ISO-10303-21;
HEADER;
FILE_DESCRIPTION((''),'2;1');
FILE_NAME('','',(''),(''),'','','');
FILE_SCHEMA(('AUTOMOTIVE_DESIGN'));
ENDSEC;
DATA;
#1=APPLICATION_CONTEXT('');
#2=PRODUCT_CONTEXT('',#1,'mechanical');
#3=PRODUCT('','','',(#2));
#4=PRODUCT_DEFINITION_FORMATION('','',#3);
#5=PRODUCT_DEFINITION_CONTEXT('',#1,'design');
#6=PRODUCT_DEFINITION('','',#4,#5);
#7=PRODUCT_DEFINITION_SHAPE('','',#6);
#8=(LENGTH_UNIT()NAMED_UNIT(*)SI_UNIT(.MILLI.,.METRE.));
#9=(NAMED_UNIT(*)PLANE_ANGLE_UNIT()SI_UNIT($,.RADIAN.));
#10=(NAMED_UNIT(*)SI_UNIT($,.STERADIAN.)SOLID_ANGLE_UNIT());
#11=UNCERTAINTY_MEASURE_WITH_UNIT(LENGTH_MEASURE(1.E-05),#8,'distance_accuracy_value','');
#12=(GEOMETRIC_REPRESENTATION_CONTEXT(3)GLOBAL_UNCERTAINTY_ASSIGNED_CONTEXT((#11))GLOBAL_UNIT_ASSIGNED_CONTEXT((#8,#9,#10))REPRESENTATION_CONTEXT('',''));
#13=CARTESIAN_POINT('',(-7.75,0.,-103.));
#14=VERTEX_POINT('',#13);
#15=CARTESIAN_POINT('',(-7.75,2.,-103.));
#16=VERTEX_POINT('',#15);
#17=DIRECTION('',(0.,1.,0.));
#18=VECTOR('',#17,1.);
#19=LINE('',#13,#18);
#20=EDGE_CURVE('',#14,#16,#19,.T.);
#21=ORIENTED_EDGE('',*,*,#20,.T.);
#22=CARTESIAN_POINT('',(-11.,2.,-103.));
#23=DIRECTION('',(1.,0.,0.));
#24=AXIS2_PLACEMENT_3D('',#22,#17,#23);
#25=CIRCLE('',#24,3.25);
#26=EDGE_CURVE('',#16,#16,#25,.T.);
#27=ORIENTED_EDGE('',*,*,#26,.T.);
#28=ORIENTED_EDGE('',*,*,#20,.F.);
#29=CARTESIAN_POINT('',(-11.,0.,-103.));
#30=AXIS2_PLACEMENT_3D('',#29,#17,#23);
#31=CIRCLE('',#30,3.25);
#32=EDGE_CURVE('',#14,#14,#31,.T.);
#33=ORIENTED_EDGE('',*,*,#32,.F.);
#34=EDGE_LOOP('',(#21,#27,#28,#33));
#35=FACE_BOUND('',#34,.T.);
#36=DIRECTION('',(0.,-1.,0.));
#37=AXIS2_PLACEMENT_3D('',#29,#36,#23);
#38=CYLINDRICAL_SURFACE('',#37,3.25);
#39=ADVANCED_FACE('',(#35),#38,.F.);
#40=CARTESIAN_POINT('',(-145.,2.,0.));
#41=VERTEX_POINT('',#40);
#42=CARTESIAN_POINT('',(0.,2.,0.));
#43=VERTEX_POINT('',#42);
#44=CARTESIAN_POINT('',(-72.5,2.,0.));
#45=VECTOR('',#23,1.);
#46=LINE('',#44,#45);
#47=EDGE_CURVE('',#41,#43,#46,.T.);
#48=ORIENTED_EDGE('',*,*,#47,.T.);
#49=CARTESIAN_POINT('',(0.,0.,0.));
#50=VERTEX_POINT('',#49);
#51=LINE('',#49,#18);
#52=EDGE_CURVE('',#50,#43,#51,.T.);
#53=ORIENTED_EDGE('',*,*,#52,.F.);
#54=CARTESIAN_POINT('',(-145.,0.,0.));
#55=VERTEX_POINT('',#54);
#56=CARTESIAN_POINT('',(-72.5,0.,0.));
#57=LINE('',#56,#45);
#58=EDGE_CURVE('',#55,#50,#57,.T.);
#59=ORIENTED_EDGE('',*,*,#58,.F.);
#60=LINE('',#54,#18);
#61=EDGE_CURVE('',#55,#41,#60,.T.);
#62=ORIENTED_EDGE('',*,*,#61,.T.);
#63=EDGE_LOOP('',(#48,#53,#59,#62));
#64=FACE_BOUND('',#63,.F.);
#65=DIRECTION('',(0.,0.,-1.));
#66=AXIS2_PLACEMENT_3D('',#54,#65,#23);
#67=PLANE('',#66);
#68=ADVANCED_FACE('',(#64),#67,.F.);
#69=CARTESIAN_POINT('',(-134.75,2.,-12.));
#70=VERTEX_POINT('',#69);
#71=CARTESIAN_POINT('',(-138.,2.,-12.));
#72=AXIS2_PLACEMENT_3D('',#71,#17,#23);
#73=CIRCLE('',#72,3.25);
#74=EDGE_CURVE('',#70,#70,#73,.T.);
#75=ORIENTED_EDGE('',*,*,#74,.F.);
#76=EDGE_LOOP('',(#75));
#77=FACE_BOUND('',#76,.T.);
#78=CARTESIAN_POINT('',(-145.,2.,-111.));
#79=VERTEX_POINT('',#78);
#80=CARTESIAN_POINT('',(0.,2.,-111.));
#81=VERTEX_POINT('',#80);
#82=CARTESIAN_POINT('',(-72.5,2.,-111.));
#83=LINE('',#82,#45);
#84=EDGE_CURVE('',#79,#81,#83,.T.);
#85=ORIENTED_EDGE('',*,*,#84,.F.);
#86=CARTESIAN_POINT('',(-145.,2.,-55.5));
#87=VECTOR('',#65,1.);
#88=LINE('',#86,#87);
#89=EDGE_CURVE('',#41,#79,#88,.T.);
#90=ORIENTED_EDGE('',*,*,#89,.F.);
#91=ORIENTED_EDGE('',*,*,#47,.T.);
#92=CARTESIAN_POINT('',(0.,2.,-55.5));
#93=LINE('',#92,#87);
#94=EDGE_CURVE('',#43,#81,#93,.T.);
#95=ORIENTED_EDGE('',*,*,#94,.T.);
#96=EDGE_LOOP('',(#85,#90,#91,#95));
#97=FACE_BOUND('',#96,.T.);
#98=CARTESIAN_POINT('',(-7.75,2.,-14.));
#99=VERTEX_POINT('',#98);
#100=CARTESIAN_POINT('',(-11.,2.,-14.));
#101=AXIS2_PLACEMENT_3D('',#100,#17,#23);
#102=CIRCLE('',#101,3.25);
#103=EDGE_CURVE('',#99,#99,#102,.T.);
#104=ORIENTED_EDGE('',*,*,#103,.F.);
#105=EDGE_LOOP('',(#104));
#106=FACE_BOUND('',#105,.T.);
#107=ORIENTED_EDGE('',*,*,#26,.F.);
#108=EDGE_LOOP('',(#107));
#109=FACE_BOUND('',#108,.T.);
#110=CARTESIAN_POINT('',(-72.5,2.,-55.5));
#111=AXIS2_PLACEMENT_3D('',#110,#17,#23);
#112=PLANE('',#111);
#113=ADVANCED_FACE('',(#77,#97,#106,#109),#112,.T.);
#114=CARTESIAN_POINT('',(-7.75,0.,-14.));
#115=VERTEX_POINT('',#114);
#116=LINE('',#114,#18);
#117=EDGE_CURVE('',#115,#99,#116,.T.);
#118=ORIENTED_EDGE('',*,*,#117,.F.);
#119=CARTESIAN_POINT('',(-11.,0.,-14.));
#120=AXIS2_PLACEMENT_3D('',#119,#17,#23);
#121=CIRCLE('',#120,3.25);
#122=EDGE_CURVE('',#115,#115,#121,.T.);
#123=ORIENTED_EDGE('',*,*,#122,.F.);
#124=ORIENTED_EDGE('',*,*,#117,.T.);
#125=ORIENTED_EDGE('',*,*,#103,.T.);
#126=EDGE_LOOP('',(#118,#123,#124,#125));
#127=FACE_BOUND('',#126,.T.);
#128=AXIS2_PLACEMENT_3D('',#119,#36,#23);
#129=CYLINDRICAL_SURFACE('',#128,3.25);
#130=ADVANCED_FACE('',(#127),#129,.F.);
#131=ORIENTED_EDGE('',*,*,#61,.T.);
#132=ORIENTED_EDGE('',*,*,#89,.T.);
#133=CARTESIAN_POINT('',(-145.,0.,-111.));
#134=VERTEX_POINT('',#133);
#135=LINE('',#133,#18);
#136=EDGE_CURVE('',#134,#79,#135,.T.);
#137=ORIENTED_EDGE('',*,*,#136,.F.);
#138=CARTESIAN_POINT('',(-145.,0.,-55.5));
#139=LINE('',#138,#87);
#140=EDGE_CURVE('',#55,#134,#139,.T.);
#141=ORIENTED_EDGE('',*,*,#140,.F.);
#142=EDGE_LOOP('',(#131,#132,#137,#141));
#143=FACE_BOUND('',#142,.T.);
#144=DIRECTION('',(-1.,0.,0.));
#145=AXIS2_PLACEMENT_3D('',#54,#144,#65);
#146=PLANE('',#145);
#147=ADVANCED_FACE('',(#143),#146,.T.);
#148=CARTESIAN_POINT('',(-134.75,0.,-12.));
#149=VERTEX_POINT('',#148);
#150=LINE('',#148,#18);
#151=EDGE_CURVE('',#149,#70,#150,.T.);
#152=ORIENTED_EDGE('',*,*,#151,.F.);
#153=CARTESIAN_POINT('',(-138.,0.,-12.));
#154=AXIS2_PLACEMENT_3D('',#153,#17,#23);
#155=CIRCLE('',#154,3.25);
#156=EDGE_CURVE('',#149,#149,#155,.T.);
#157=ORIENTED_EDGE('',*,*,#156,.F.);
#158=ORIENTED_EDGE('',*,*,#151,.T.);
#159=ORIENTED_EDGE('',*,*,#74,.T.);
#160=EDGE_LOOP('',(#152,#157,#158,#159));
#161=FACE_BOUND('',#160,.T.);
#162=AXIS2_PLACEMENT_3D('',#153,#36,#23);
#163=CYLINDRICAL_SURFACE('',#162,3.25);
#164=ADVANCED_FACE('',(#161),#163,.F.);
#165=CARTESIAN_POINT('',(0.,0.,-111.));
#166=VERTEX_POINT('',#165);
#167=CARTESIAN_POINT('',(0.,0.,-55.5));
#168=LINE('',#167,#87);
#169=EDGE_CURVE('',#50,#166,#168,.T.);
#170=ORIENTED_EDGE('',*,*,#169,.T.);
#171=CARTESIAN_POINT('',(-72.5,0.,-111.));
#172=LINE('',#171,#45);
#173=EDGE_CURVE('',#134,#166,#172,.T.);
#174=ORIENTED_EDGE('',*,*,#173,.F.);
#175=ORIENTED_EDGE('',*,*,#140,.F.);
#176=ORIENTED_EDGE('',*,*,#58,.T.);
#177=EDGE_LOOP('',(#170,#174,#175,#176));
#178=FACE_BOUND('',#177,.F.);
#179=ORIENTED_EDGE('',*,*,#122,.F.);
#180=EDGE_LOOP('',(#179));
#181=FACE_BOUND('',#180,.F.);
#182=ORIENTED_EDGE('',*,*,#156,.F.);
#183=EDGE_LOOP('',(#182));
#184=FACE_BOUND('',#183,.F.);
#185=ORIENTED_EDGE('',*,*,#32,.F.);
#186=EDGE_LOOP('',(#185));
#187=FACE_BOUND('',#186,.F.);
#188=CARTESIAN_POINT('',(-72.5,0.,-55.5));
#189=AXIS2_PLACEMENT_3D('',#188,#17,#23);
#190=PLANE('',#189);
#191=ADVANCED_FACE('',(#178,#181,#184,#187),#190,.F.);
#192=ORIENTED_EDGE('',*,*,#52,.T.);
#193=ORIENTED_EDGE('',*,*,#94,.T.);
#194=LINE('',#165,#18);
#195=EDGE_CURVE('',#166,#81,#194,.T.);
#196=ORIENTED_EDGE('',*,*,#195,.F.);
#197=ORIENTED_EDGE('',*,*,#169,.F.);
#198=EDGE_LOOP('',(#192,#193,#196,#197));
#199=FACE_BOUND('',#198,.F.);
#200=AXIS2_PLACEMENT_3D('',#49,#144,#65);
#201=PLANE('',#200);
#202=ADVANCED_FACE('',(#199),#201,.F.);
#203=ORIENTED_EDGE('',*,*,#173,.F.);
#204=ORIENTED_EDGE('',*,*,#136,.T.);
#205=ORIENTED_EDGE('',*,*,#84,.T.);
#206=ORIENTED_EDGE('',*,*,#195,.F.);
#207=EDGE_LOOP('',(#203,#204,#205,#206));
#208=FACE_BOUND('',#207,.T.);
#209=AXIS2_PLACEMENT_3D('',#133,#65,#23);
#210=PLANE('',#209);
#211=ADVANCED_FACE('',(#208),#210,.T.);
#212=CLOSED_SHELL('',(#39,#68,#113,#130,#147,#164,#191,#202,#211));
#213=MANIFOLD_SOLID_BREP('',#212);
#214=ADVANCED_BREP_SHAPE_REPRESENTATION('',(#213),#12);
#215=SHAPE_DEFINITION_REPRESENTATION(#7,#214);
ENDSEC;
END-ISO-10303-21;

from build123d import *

# Parameters (mm, degrees)
SKETCH1_W           = 145
SKETCH1_H           = 111
SKETCH1_R           = 3.25
BOSS_EXTRUDE1_DEPTH = 2


with BuildPart() as part:
    # Sketch1 → Boss-Extrude1 (new body)
    with BuildSketch(Plane(origin=(0, 0, 0), x_dir=(1, 0, 0), z_dir=(0, 1, 0))):
        with Locations((-72.5, 55.5)):
            Rectangle(SKETCH1_W, SKETCH1_H)
        with Locations((-138, 12)):
            Circle(SKETCH1_R, mode=Mode.SUBTRACT)
        with Locations((-11, 14)):
            Circle(SKETCH1_R, mode=Mode.SUBTRACT)
        with Locations((-11, 103)):
            Circle(SKETCH1_R, mode=Mode.SUBTRACT)
    extrude(amount=BOSS_EXTRUDE1_DEPTH)


solid = part.part
